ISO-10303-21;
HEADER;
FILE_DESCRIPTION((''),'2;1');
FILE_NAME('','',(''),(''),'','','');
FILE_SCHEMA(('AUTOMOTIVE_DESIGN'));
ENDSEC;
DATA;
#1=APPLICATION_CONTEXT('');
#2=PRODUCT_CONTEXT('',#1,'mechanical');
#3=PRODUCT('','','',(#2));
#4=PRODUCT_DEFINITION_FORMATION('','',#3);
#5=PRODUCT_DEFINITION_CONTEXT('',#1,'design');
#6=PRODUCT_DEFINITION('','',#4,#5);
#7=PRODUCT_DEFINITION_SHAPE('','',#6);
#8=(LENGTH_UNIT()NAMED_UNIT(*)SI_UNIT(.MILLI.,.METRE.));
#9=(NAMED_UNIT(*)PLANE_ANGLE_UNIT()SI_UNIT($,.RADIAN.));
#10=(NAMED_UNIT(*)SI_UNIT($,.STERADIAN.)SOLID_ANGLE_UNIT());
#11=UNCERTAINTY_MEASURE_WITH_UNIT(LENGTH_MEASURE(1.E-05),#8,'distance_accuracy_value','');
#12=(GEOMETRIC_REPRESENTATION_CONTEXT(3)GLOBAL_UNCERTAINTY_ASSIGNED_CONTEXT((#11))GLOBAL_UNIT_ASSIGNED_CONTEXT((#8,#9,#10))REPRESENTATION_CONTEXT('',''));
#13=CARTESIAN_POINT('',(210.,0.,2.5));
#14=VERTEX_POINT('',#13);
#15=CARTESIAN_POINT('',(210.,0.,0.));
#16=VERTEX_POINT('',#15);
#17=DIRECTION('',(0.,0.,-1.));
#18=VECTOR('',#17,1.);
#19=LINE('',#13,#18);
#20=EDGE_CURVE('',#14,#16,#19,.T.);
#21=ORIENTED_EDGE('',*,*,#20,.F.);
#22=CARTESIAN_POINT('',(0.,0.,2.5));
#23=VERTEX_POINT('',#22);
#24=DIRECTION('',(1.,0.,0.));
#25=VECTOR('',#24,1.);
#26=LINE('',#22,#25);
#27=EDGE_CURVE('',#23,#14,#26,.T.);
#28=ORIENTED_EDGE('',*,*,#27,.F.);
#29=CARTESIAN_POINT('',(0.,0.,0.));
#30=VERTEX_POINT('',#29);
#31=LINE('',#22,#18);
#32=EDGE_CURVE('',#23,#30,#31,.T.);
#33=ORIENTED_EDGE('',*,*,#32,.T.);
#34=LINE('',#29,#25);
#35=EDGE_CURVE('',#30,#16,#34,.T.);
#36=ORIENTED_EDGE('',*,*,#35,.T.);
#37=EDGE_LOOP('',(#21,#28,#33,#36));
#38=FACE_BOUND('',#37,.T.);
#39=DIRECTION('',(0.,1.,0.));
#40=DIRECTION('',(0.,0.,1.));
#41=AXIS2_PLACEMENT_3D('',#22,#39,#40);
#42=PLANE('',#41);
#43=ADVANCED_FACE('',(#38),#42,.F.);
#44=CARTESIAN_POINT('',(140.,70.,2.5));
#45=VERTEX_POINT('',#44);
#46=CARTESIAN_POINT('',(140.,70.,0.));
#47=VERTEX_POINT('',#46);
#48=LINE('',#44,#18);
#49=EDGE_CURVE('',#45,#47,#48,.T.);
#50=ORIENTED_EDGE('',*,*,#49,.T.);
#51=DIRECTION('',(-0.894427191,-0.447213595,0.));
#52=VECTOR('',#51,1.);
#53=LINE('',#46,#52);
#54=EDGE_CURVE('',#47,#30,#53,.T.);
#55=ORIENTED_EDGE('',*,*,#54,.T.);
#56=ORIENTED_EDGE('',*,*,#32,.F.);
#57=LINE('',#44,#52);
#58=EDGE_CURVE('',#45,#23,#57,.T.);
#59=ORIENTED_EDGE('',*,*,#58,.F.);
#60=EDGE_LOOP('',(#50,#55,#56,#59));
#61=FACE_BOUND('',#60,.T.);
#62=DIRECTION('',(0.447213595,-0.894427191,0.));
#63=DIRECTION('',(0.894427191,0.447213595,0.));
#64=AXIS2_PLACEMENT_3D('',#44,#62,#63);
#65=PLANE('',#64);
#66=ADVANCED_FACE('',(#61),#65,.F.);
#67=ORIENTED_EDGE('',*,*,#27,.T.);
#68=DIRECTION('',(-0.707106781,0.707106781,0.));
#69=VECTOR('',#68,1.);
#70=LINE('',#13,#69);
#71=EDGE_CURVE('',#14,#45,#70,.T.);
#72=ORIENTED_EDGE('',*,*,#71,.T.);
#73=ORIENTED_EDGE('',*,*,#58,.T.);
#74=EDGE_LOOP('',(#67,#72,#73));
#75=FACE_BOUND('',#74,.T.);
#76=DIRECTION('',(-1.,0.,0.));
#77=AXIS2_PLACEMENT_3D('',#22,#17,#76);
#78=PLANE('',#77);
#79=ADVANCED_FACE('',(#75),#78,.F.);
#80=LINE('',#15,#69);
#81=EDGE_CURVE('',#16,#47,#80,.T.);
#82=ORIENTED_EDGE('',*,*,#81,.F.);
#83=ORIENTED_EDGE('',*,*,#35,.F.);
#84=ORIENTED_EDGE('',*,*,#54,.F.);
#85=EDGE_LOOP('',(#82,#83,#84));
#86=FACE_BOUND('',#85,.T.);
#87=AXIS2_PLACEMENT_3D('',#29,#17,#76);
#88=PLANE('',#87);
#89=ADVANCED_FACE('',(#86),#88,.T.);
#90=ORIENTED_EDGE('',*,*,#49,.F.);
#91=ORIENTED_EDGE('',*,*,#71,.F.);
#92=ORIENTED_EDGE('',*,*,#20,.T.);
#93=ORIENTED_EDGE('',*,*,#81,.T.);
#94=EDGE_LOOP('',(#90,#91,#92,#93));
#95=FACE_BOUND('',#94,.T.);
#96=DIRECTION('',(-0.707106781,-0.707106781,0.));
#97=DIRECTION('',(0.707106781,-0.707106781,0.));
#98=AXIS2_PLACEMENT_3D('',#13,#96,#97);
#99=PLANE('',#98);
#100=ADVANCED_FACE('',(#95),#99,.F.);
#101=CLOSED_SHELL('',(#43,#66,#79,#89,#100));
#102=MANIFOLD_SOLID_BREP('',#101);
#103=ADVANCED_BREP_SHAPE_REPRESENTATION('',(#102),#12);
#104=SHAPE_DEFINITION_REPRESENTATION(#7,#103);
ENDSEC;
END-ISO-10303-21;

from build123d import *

# Parameters (mm, degrees)
BOSS_EXTRUDE1_DEPTH = 2.5


with BuildPart() as part:
    # Sketch2 → Boss-Extrude1 (new body)
    with BuildSketch(Plane.XY):
        Polygon((0, 0), (210, 0), (140, 70), align=None)
    extrude(amount=BOSS_EXTRUDE1_DEPTH)


solid = part.part
